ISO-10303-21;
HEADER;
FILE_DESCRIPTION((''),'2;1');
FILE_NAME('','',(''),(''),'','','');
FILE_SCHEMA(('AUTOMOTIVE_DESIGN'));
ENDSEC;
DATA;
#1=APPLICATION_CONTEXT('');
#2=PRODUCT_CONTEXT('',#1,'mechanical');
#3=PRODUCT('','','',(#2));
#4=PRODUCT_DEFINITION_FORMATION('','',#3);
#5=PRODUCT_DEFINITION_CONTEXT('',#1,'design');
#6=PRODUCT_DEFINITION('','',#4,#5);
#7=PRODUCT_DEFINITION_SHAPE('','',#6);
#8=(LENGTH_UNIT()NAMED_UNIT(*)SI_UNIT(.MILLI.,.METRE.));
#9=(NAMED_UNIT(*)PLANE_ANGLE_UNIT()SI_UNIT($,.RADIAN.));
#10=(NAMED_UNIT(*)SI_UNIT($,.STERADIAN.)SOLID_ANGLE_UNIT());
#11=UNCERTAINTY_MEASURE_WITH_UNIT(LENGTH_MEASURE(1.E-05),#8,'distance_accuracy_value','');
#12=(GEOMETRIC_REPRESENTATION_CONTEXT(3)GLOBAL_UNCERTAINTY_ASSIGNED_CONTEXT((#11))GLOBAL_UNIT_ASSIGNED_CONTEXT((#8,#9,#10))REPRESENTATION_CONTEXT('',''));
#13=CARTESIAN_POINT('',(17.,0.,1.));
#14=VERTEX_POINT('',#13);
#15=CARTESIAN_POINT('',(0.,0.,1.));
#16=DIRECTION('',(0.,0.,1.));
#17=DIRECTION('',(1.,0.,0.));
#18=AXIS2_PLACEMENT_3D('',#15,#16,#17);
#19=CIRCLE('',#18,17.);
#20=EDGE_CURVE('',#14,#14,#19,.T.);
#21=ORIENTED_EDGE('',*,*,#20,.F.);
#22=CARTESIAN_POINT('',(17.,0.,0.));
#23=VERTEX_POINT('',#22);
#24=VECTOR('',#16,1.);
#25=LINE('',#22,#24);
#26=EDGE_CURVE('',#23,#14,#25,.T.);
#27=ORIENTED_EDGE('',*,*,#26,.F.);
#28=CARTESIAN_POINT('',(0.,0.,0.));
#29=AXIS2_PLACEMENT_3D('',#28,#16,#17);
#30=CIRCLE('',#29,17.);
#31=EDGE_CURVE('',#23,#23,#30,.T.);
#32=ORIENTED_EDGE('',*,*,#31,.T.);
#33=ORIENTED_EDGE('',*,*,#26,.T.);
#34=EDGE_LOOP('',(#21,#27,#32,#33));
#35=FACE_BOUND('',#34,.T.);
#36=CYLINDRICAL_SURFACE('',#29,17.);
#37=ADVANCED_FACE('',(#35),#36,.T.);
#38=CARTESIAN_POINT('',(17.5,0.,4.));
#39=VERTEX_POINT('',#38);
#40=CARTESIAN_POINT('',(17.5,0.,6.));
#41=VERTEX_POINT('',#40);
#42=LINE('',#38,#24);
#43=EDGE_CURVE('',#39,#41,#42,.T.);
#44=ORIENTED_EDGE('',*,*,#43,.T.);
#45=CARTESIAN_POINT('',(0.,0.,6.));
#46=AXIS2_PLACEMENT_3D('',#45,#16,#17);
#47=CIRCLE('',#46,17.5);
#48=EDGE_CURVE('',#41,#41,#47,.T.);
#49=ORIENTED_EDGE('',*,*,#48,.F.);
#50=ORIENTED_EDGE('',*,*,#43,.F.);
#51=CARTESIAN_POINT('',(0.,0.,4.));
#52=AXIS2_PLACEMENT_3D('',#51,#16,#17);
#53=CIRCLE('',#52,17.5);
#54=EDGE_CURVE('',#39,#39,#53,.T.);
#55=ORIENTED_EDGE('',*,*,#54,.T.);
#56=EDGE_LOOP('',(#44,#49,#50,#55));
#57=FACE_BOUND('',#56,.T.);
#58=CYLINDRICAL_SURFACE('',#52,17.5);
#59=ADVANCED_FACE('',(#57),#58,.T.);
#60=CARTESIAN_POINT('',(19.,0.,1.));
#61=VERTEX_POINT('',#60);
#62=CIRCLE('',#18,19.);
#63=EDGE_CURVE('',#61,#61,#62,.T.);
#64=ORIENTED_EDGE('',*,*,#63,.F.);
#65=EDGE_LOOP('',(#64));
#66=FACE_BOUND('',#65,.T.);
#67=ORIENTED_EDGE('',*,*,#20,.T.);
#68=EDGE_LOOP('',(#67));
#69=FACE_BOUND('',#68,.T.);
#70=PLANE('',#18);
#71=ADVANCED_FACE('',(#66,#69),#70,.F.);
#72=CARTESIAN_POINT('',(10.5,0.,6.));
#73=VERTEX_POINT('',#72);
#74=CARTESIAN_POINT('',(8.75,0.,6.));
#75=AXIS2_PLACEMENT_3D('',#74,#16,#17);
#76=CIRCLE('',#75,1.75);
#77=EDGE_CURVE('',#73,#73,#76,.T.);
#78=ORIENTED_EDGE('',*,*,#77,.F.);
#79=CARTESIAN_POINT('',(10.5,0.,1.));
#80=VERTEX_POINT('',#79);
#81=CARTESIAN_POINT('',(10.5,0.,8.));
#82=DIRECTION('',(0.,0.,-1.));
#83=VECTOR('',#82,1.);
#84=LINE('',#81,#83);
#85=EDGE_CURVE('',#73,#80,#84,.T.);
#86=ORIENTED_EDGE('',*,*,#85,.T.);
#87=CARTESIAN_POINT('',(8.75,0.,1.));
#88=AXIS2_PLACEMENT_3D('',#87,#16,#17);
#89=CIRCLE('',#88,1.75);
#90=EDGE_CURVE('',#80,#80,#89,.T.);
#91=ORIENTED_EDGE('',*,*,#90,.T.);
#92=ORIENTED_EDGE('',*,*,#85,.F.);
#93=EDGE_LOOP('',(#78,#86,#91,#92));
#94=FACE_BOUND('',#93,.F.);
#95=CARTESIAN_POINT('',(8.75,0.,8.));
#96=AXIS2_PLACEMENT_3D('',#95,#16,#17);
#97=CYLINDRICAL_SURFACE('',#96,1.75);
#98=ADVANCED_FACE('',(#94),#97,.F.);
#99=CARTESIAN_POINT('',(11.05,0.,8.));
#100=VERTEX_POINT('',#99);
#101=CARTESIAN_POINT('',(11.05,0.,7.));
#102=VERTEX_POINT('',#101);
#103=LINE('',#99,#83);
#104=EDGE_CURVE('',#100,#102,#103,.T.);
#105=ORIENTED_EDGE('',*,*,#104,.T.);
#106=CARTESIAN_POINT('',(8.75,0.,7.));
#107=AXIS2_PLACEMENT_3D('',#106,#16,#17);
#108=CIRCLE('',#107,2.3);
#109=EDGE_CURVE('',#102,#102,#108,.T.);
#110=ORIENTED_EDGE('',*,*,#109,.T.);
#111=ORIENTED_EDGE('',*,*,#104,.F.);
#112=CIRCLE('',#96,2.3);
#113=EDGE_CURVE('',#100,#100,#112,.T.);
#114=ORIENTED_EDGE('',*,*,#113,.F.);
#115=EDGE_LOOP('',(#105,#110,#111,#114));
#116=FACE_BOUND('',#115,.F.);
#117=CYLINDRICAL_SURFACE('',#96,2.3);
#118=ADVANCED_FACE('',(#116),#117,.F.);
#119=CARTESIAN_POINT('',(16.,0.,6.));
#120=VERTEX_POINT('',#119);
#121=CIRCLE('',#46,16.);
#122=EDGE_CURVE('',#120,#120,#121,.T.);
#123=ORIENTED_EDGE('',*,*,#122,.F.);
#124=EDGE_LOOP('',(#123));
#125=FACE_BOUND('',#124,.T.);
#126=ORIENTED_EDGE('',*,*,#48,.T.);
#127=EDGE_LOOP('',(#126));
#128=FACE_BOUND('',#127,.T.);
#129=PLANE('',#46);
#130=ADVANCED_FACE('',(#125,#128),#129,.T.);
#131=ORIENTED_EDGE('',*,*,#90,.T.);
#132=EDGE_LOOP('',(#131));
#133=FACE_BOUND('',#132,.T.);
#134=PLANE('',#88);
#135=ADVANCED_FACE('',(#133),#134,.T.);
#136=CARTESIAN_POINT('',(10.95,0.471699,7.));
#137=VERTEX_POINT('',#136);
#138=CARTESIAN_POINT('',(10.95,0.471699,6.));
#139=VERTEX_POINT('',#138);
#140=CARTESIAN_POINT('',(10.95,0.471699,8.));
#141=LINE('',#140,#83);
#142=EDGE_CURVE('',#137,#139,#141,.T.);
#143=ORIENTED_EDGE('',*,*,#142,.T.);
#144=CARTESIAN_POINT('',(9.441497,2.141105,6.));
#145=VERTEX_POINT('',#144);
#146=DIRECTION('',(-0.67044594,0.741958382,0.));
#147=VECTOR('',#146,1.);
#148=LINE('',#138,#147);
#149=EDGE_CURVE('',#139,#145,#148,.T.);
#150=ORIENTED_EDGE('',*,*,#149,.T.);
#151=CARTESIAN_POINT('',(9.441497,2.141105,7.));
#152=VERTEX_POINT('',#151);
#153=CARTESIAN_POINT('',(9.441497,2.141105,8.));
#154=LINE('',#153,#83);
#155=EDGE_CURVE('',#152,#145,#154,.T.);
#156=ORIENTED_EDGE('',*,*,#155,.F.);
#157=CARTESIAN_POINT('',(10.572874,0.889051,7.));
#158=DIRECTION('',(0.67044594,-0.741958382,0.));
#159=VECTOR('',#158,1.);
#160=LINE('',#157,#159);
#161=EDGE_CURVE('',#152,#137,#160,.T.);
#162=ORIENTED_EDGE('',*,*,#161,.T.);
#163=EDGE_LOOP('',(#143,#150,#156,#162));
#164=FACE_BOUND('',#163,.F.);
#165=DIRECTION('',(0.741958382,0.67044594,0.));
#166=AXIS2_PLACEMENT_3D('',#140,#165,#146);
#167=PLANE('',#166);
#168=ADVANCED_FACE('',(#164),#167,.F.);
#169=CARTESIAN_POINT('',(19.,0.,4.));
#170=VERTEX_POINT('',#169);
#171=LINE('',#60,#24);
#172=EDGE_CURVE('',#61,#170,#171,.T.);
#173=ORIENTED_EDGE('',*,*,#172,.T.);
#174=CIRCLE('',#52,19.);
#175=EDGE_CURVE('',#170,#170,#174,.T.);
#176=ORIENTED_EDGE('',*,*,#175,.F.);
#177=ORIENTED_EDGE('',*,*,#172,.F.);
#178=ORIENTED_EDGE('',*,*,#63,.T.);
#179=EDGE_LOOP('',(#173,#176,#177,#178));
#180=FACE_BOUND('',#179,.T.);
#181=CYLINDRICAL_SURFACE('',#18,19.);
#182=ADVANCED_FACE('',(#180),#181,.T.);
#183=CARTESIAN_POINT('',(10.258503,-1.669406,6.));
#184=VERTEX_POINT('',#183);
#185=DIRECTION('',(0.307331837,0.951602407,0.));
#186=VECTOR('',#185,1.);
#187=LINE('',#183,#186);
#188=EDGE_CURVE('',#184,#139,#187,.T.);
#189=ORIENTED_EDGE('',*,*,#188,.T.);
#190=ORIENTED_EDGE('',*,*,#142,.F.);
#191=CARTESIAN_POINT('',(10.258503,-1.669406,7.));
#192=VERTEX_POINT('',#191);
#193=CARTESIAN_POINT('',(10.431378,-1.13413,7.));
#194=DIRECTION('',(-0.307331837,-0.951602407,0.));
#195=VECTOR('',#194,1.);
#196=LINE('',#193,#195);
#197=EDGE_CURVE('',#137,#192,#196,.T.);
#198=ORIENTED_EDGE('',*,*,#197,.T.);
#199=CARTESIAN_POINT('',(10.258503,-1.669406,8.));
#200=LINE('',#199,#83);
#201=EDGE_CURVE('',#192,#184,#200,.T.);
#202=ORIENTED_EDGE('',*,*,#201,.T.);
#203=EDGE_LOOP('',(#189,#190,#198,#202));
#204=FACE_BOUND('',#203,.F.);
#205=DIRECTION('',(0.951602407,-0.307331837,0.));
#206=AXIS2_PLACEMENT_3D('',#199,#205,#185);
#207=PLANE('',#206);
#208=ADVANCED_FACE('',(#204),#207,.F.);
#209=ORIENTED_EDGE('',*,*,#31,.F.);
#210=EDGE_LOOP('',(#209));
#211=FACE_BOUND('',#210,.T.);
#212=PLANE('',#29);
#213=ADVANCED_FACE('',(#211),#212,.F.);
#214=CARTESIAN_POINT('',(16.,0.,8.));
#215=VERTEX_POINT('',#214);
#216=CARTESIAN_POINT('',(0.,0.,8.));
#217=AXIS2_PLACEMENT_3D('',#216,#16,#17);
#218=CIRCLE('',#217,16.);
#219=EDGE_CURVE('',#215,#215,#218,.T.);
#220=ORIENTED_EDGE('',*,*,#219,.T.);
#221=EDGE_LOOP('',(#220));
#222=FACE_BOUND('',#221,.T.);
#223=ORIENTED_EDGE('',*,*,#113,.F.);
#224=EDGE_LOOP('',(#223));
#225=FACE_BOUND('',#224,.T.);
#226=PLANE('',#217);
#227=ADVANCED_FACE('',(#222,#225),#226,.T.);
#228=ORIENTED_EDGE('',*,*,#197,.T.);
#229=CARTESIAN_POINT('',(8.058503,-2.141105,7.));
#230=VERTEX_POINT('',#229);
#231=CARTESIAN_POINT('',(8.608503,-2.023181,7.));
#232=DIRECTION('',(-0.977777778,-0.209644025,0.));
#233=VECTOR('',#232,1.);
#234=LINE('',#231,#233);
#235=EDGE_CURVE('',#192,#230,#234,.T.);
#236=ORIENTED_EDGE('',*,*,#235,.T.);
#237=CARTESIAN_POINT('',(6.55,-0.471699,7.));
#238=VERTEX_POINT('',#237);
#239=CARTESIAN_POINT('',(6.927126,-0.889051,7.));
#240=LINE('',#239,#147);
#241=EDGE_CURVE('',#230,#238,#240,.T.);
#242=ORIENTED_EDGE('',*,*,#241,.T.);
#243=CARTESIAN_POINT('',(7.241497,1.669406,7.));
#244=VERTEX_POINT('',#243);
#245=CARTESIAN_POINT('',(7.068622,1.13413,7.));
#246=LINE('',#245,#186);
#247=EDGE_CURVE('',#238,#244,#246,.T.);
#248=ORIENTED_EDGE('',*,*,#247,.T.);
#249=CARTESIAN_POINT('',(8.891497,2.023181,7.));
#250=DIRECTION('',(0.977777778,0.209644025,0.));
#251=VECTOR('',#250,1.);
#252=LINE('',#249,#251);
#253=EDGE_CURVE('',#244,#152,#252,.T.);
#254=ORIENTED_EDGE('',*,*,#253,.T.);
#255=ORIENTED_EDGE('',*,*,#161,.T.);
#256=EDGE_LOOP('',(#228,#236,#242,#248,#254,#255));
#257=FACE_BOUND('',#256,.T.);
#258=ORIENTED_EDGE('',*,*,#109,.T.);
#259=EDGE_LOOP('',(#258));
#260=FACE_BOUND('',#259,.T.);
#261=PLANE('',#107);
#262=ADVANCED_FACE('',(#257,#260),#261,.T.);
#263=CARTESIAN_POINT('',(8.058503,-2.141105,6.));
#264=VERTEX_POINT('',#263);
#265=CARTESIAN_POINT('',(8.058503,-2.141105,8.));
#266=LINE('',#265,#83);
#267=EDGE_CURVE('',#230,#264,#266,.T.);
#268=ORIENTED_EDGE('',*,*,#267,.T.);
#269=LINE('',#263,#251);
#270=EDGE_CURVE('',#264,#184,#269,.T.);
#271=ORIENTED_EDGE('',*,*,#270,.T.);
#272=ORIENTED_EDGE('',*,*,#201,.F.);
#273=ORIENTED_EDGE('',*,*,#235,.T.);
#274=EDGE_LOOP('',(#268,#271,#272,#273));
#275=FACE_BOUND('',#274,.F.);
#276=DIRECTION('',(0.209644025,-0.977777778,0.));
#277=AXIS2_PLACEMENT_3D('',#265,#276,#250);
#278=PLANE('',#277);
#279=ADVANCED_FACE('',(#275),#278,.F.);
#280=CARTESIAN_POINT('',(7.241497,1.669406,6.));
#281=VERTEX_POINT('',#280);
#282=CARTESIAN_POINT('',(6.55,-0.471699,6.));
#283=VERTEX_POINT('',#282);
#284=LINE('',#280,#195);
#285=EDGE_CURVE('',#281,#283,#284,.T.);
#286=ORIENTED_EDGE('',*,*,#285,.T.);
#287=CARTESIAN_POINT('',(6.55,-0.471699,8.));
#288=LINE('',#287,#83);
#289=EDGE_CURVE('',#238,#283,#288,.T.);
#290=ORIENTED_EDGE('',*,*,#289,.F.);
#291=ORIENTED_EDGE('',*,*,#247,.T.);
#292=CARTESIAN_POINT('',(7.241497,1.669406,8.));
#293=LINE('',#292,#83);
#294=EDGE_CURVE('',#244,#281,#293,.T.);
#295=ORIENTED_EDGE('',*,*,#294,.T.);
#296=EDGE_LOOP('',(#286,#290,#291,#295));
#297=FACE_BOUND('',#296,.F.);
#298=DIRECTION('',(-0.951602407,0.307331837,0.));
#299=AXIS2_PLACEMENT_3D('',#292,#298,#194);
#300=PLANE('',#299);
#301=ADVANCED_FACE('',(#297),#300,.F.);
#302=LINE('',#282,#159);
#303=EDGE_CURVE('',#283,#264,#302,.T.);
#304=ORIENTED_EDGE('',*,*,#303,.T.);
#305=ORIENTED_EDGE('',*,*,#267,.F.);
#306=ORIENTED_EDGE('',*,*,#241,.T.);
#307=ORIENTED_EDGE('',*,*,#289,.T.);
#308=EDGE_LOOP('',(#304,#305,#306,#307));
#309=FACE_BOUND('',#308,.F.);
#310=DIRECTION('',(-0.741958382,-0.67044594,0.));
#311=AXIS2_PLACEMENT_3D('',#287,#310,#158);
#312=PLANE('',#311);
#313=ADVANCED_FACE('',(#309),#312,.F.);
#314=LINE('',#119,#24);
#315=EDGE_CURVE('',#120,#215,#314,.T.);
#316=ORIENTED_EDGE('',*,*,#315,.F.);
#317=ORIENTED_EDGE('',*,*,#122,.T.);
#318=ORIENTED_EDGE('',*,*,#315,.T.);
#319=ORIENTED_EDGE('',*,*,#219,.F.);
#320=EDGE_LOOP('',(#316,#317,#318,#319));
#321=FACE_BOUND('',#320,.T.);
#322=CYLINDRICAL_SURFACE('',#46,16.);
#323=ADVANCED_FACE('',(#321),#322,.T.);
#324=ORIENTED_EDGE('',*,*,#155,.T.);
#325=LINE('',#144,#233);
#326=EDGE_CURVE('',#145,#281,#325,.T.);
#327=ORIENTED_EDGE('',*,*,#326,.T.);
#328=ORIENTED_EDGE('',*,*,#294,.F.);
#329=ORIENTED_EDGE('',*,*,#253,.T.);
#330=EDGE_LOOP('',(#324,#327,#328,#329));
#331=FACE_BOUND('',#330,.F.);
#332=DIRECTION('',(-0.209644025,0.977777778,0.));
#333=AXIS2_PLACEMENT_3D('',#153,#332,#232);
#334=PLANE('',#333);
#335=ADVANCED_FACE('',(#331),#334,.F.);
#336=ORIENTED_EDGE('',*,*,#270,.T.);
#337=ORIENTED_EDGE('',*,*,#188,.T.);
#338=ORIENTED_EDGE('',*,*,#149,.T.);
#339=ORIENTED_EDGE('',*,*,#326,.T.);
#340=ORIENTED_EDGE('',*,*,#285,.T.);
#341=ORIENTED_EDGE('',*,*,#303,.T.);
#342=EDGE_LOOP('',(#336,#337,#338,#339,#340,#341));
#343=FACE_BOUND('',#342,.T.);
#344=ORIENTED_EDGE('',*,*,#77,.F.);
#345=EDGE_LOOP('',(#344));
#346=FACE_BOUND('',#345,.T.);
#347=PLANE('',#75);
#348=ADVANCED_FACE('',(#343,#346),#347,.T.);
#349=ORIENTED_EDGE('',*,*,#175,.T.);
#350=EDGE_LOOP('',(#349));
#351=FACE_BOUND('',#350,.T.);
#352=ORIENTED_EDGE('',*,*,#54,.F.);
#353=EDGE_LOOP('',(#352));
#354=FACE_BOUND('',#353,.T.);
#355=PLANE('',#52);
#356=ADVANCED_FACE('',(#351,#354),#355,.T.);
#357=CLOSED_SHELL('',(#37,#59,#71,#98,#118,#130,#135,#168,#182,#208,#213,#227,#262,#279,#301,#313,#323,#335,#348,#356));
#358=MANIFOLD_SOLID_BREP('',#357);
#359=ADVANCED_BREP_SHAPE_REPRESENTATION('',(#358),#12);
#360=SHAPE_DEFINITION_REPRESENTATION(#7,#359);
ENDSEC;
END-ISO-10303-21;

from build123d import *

# Parameters (mm, degrees)
F2_R     = 1.75
F3_DEPTH = 7
F4_R     = 1.75
F5_DEPTH = 2
F6_R     = 2.3
F7_DEPTH = 1


with BuildPart() as f1:
    # F0 (on Front) → F1 (revolve)
    with BuildSketch(Plane.XZ):
        Polygon((0, 8), (0, 0), (17, 0), (17, 1), (19, 1), (19, 4), (17.5, 4), (17.5, 6), (16, 6), (16, 8), align=None)
    revolve(axis=Axis((0, 0, 4), (0, 0, 1)))

    # F2 (on face) → F3 (cut)
    with BuildSketch(Plane.XY.offset(8)):
        with Locations((8.75, 0)):
            Circle(F2_R)
    extrude(amount=-F3_DEPTH, mode=Mode.SUBTRACT)

    # F4 (on face) → F5 (cut)
    with BuildSketch(Plane.XY.offset(8)):
        with Locations((8.75, 0)):
            Circle(F4_R)
        Polygon((10.258503366, -1.66940636), (10.95, 0.4716990566), (9.441496634, 2.1411054166), (7.241496634, 1.66940636), (6.55, -0.4716990566), (8.058503366, -2.1411054166), align=None)
    extrude(amount=-F5_DEPTH, mode=Mode.SUBTRACT)

    # F6 (on face) → F7 (cut)
    with BuildSketch(Plane.XY.offset(8)):
        with Locations((8.75, 0)):
            Circle(F6_R)
    extrude(amount=-F7_DEPTH, mode=Mode.SUBTRACT)


solid = f1.part
